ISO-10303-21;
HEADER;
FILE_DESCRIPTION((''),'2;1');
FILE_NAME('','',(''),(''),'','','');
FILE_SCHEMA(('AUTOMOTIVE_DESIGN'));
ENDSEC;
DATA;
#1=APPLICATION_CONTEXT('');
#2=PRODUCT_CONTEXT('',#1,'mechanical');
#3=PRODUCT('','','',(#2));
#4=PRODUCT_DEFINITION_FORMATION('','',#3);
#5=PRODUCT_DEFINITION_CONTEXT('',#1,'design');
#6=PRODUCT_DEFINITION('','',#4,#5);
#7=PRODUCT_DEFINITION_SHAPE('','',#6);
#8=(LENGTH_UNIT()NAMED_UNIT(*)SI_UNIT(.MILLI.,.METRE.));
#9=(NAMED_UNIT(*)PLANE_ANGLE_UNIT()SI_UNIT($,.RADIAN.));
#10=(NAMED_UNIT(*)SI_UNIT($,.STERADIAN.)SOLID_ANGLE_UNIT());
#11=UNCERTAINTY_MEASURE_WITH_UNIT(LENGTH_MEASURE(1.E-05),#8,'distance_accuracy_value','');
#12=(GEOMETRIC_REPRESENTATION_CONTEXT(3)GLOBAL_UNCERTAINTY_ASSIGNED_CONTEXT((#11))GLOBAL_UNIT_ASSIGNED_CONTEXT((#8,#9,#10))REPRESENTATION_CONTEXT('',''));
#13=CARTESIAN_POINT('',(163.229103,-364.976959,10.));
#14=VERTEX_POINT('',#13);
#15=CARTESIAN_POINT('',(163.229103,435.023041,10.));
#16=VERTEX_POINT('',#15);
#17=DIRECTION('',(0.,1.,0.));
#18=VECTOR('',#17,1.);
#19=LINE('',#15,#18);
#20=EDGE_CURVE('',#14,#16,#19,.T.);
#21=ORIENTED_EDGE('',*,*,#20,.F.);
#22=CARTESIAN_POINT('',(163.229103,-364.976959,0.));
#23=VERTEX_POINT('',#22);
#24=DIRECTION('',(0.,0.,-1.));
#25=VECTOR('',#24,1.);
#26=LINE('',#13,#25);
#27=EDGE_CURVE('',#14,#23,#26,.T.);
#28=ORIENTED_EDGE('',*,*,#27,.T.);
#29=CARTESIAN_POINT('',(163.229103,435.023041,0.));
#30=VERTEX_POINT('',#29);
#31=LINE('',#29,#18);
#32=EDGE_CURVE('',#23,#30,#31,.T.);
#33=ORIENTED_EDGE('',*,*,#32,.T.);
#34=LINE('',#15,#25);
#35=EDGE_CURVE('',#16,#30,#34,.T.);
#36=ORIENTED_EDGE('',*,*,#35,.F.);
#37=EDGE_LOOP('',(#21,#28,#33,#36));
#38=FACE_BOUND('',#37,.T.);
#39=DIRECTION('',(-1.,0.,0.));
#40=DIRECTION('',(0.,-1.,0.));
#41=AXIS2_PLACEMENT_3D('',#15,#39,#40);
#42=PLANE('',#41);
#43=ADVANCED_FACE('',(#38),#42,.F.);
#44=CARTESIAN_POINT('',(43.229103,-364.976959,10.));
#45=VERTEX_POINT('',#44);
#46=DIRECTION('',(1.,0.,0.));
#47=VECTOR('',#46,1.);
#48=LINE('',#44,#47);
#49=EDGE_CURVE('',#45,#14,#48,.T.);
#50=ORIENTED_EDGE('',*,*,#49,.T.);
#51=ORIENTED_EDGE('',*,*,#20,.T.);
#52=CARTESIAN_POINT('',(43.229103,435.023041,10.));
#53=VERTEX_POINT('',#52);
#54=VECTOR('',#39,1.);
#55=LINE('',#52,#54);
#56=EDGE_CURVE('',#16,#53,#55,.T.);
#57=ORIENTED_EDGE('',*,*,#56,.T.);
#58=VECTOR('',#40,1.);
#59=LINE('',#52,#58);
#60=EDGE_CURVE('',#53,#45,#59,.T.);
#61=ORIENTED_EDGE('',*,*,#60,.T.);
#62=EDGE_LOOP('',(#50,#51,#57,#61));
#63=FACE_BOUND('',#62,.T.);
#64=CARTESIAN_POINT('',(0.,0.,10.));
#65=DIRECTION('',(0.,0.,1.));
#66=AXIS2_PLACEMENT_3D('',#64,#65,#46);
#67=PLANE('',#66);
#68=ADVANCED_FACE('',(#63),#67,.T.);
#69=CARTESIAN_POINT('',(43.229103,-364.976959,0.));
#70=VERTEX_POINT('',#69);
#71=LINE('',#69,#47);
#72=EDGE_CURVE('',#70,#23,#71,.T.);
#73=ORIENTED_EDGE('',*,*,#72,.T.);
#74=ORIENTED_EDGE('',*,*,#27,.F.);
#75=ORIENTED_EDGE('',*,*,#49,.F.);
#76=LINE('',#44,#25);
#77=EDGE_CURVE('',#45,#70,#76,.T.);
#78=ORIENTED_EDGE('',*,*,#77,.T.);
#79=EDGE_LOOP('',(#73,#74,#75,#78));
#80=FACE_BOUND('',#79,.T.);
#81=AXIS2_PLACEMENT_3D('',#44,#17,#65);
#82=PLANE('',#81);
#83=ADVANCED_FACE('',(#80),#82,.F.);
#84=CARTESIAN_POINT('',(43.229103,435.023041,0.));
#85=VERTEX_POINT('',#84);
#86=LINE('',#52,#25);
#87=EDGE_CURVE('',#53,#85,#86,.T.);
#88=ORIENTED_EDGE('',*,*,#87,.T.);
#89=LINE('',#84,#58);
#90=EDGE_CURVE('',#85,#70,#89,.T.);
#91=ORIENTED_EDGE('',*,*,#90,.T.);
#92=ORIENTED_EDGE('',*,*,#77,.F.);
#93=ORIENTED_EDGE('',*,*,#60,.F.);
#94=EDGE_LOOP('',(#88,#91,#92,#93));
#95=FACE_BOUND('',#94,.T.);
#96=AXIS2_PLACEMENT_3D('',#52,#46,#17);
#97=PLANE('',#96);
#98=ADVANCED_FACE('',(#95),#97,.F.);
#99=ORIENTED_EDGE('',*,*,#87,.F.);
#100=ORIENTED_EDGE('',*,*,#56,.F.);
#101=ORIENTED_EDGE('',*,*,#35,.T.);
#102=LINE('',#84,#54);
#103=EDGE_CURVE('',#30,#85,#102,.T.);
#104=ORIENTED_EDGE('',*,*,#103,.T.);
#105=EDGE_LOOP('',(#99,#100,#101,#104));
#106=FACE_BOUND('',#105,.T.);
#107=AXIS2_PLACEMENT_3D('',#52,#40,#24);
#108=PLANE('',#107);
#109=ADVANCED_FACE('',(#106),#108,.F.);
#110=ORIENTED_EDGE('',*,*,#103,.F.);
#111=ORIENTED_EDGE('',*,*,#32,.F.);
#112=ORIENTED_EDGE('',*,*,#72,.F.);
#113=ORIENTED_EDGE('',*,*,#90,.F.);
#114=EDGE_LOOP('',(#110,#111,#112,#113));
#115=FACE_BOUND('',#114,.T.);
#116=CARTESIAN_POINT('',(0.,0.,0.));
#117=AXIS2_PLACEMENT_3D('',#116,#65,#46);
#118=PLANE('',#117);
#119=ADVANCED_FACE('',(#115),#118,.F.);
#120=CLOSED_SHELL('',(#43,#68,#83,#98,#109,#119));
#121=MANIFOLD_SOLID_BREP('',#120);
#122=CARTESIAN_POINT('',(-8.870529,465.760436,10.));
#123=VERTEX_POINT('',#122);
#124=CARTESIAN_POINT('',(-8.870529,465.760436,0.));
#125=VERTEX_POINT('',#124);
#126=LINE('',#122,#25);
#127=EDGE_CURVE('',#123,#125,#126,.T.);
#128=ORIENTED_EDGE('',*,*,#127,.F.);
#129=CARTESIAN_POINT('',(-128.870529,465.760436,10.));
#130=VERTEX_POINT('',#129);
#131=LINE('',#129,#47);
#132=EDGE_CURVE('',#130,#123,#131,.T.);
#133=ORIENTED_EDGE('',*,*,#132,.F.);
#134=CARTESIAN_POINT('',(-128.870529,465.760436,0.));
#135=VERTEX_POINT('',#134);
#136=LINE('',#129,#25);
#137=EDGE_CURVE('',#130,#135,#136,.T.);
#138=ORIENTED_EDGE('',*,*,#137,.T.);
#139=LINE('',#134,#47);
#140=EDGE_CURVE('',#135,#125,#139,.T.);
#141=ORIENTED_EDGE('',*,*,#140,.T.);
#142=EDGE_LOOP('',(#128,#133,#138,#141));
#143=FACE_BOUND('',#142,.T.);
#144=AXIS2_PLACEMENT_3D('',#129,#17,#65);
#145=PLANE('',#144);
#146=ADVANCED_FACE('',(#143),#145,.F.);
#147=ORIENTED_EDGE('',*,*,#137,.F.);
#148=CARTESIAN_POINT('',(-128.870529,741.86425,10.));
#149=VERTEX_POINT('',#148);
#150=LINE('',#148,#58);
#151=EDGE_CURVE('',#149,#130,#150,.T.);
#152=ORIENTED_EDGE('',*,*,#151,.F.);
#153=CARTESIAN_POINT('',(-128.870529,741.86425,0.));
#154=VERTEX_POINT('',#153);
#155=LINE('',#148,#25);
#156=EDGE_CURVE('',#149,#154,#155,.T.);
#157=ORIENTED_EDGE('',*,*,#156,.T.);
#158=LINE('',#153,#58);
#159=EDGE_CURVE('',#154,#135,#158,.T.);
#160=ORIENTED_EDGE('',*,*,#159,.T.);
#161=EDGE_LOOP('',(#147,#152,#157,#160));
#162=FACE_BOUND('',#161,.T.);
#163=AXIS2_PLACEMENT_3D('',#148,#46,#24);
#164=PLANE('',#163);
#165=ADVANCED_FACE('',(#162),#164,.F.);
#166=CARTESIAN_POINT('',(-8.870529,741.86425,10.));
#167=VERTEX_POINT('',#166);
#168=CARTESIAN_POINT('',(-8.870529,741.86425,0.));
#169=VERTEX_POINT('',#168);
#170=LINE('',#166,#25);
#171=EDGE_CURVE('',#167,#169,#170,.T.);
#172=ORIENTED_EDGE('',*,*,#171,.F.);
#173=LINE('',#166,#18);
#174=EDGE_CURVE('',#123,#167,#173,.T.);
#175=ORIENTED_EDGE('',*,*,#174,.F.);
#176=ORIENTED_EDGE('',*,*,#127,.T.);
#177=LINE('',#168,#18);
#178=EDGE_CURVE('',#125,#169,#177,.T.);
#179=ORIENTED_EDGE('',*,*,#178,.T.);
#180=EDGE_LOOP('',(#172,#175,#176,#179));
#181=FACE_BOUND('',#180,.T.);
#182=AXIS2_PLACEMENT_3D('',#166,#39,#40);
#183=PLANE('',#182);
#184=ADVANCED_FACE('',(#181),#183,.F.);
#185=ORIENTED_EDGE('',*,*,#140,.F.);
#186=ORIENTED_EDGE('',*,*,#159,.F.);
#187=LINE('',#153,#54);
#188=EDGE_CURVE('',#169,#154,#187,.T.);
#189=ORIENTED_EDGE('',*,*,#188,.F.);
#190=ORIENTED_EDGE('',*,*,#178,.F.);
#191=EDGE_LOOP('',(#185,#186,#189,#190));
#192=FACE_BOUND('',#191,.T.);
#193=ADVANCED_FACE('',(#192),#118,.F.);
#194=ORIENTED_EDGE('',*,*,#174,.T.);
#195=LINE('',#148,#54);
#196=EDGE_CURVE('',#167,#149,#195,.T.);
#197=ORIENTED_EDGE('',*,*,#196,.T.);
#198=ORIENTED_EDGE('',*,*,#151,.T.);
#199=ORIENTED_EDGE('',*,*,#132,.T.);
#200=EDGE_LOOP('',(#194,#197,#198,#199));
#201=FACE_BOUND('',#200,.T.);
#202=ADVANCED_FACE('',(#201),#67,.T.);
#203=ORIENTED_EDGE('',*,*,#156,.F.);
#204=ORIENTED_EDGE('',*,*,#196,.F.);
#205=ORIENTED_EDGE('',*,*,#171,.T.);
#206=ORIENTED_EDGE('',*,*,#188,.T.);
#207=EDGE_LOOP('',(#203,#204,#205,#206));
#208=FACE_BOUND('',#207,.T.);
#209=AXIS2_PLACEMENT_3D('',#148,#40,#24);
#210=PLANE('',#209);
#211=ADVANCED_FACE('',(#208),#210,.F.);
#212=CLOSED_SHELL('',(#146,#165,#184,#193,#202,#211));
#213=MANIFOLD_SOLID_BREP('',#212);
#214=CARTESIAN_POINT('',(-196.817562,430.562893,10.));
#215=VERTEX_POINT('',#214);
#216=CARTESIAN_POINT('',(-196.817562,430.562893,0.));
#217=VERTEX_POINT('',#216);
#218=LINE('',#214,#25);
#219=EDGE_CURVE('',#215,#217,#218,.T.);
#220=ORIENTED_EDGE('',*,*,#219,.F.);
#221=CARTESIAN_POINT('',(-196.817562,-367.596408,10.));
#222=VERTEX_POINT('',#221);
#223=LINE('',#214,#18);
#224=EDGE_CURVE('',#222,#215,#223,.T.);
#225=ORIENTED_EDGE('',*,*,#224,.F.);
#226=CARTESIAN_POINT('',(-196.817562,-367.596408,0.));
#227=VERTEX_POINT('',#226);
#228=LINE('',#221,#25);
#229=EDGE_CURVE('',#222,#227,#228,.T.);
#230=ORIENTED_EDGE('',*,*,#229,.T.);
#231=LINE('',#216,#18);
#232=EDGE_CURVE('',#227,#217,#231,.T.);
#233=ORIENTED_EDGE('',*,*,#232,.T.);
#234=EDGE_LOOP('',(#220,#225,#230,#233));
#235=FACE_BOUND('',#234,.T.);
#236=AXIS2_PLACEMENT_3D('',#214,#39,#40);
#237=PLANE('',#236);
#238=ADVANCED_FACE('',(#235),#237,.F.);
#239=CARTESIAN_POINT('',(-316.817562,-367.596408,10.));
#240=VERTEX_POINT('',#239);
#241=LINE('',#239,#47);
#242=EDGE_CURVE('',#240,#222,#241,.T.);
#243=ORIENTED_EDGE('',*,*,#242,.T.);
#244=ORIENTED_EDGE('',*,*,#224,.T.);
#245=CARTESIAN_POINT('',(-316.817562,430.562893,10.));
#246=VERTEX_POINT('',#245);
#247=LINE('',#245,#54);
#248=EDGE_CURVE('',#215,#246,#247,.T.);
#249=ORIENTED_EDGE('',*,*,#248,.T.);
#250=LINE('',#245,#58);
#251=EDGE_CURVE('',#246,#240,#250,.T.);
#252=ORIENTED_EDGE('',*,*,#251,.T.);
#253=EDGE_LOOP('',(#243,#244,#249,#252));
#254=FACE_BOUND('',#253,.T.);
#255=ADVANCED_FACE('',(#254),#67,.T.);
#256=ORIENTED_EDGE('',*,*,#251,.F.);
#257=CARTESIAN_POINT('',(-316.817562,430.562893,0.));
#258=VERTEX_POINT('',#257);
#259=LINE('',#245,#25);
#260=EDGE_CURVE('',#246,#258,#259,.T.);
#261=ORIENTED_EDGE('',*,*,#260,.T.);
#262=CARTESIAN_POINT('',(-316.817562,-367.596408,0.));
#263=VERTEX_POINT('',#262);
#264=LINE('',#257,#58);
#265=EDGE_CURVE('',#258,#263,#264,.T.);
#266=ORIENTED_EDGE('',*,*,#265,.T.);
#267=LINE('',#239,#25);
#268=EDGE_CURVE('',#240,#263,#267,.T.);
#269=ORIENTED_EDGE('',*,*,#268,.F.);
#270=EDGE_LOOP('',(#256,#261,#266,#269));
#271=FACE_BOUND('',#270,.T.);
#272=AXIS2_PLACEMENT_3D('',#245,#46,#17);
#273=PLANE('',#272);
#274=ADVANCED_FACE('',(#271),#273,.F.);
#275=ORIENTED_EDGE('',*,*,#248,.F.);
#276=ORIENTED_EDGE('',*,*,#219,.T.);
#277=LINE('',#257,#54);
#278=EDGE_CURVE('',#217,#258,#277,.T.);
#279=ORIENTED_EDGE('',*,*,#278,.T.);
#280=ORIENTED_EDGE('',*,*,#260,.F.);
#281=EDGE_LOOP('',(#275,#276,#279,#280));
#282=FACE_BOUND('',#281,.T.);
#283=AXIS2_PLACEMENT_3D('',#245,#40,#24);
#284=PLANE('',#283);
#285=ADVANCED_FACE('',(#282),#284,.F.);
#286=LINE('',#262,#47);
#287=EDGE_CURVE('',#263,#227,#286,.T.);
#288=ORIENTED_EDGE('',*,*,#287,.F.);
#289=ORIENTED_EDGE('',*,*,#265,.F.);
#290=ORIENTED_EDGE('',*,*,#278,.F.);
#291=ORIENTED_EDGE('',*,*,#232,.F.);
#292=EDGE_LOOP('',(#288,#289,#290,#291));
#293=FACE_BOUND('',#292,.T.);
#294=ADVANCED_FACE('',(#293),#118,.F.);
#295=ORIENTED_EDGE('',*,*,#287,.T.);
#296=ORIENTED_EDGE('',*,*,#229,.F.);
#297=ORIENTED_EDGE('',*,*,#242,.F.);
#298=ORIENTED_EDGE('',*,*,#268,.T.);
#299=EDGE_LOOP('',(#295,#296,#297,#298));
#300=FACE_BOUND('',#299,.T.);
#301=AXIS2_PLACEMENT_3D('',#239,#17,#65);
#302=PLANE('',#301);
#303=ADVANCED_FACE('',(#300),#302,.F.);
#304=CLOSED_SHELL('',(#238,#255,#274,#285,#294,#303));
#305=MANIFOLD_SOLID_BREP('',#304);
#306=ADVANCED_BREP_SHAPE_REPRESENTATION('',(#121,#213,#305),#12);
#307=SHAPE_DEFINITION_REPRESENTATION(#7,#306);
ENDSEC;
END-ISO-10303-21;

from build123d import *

# Parameters (mm, degrees)
SKETCH_1_W        = 120
SKETCH_1_H        = 800
EXTRUDE_3_DEPTH   = 10
SKETCH_1_H_2      = 798.159300421
EXTRUDE_3_2_DEPTH = 10
SKETCH_1_H_3      = 276.103814445
EXTRUDE_3_3_DEPTH = 10


with BuildPart() as part:
    # Эскиз1 → Бобышка-Вытянуть3 (new body)
    with BuildSketch(Plane.XY):
        with Locations((103.229102796, 35.023040595)):
            Rectangle(SKETCH_1_W, SKETCH_1_H)
    extrude(amount=EXTRUDE_3_DEPTH)


with BuildPart() as body_2:
    # Эскиз1 → Extrude 3 2 (new body)
    with BuildSketch(Plane.XY):
        with Locations((-256.81756222, 31.483242374)):
            Rectangle(SKETCH_1_W, SKETCH_1_H_2)
    extrude(amount=EXTRUDE_3_2_DEPTH)


with BuildPart() as body_3:
    # Эскиз1 → Extrude 3 3 (new body)
    with BuildSketch(Plane.XY):
        with Locations((-68.870529064, 603.812342777)):
            Rectangle(SKETCH_1_W, SKETCH_1_H_3)
    extrude(amount=EXTRUDE_3_3_DEPTH)


solid = Compound([part.part, body_2.part, body_3.part])
